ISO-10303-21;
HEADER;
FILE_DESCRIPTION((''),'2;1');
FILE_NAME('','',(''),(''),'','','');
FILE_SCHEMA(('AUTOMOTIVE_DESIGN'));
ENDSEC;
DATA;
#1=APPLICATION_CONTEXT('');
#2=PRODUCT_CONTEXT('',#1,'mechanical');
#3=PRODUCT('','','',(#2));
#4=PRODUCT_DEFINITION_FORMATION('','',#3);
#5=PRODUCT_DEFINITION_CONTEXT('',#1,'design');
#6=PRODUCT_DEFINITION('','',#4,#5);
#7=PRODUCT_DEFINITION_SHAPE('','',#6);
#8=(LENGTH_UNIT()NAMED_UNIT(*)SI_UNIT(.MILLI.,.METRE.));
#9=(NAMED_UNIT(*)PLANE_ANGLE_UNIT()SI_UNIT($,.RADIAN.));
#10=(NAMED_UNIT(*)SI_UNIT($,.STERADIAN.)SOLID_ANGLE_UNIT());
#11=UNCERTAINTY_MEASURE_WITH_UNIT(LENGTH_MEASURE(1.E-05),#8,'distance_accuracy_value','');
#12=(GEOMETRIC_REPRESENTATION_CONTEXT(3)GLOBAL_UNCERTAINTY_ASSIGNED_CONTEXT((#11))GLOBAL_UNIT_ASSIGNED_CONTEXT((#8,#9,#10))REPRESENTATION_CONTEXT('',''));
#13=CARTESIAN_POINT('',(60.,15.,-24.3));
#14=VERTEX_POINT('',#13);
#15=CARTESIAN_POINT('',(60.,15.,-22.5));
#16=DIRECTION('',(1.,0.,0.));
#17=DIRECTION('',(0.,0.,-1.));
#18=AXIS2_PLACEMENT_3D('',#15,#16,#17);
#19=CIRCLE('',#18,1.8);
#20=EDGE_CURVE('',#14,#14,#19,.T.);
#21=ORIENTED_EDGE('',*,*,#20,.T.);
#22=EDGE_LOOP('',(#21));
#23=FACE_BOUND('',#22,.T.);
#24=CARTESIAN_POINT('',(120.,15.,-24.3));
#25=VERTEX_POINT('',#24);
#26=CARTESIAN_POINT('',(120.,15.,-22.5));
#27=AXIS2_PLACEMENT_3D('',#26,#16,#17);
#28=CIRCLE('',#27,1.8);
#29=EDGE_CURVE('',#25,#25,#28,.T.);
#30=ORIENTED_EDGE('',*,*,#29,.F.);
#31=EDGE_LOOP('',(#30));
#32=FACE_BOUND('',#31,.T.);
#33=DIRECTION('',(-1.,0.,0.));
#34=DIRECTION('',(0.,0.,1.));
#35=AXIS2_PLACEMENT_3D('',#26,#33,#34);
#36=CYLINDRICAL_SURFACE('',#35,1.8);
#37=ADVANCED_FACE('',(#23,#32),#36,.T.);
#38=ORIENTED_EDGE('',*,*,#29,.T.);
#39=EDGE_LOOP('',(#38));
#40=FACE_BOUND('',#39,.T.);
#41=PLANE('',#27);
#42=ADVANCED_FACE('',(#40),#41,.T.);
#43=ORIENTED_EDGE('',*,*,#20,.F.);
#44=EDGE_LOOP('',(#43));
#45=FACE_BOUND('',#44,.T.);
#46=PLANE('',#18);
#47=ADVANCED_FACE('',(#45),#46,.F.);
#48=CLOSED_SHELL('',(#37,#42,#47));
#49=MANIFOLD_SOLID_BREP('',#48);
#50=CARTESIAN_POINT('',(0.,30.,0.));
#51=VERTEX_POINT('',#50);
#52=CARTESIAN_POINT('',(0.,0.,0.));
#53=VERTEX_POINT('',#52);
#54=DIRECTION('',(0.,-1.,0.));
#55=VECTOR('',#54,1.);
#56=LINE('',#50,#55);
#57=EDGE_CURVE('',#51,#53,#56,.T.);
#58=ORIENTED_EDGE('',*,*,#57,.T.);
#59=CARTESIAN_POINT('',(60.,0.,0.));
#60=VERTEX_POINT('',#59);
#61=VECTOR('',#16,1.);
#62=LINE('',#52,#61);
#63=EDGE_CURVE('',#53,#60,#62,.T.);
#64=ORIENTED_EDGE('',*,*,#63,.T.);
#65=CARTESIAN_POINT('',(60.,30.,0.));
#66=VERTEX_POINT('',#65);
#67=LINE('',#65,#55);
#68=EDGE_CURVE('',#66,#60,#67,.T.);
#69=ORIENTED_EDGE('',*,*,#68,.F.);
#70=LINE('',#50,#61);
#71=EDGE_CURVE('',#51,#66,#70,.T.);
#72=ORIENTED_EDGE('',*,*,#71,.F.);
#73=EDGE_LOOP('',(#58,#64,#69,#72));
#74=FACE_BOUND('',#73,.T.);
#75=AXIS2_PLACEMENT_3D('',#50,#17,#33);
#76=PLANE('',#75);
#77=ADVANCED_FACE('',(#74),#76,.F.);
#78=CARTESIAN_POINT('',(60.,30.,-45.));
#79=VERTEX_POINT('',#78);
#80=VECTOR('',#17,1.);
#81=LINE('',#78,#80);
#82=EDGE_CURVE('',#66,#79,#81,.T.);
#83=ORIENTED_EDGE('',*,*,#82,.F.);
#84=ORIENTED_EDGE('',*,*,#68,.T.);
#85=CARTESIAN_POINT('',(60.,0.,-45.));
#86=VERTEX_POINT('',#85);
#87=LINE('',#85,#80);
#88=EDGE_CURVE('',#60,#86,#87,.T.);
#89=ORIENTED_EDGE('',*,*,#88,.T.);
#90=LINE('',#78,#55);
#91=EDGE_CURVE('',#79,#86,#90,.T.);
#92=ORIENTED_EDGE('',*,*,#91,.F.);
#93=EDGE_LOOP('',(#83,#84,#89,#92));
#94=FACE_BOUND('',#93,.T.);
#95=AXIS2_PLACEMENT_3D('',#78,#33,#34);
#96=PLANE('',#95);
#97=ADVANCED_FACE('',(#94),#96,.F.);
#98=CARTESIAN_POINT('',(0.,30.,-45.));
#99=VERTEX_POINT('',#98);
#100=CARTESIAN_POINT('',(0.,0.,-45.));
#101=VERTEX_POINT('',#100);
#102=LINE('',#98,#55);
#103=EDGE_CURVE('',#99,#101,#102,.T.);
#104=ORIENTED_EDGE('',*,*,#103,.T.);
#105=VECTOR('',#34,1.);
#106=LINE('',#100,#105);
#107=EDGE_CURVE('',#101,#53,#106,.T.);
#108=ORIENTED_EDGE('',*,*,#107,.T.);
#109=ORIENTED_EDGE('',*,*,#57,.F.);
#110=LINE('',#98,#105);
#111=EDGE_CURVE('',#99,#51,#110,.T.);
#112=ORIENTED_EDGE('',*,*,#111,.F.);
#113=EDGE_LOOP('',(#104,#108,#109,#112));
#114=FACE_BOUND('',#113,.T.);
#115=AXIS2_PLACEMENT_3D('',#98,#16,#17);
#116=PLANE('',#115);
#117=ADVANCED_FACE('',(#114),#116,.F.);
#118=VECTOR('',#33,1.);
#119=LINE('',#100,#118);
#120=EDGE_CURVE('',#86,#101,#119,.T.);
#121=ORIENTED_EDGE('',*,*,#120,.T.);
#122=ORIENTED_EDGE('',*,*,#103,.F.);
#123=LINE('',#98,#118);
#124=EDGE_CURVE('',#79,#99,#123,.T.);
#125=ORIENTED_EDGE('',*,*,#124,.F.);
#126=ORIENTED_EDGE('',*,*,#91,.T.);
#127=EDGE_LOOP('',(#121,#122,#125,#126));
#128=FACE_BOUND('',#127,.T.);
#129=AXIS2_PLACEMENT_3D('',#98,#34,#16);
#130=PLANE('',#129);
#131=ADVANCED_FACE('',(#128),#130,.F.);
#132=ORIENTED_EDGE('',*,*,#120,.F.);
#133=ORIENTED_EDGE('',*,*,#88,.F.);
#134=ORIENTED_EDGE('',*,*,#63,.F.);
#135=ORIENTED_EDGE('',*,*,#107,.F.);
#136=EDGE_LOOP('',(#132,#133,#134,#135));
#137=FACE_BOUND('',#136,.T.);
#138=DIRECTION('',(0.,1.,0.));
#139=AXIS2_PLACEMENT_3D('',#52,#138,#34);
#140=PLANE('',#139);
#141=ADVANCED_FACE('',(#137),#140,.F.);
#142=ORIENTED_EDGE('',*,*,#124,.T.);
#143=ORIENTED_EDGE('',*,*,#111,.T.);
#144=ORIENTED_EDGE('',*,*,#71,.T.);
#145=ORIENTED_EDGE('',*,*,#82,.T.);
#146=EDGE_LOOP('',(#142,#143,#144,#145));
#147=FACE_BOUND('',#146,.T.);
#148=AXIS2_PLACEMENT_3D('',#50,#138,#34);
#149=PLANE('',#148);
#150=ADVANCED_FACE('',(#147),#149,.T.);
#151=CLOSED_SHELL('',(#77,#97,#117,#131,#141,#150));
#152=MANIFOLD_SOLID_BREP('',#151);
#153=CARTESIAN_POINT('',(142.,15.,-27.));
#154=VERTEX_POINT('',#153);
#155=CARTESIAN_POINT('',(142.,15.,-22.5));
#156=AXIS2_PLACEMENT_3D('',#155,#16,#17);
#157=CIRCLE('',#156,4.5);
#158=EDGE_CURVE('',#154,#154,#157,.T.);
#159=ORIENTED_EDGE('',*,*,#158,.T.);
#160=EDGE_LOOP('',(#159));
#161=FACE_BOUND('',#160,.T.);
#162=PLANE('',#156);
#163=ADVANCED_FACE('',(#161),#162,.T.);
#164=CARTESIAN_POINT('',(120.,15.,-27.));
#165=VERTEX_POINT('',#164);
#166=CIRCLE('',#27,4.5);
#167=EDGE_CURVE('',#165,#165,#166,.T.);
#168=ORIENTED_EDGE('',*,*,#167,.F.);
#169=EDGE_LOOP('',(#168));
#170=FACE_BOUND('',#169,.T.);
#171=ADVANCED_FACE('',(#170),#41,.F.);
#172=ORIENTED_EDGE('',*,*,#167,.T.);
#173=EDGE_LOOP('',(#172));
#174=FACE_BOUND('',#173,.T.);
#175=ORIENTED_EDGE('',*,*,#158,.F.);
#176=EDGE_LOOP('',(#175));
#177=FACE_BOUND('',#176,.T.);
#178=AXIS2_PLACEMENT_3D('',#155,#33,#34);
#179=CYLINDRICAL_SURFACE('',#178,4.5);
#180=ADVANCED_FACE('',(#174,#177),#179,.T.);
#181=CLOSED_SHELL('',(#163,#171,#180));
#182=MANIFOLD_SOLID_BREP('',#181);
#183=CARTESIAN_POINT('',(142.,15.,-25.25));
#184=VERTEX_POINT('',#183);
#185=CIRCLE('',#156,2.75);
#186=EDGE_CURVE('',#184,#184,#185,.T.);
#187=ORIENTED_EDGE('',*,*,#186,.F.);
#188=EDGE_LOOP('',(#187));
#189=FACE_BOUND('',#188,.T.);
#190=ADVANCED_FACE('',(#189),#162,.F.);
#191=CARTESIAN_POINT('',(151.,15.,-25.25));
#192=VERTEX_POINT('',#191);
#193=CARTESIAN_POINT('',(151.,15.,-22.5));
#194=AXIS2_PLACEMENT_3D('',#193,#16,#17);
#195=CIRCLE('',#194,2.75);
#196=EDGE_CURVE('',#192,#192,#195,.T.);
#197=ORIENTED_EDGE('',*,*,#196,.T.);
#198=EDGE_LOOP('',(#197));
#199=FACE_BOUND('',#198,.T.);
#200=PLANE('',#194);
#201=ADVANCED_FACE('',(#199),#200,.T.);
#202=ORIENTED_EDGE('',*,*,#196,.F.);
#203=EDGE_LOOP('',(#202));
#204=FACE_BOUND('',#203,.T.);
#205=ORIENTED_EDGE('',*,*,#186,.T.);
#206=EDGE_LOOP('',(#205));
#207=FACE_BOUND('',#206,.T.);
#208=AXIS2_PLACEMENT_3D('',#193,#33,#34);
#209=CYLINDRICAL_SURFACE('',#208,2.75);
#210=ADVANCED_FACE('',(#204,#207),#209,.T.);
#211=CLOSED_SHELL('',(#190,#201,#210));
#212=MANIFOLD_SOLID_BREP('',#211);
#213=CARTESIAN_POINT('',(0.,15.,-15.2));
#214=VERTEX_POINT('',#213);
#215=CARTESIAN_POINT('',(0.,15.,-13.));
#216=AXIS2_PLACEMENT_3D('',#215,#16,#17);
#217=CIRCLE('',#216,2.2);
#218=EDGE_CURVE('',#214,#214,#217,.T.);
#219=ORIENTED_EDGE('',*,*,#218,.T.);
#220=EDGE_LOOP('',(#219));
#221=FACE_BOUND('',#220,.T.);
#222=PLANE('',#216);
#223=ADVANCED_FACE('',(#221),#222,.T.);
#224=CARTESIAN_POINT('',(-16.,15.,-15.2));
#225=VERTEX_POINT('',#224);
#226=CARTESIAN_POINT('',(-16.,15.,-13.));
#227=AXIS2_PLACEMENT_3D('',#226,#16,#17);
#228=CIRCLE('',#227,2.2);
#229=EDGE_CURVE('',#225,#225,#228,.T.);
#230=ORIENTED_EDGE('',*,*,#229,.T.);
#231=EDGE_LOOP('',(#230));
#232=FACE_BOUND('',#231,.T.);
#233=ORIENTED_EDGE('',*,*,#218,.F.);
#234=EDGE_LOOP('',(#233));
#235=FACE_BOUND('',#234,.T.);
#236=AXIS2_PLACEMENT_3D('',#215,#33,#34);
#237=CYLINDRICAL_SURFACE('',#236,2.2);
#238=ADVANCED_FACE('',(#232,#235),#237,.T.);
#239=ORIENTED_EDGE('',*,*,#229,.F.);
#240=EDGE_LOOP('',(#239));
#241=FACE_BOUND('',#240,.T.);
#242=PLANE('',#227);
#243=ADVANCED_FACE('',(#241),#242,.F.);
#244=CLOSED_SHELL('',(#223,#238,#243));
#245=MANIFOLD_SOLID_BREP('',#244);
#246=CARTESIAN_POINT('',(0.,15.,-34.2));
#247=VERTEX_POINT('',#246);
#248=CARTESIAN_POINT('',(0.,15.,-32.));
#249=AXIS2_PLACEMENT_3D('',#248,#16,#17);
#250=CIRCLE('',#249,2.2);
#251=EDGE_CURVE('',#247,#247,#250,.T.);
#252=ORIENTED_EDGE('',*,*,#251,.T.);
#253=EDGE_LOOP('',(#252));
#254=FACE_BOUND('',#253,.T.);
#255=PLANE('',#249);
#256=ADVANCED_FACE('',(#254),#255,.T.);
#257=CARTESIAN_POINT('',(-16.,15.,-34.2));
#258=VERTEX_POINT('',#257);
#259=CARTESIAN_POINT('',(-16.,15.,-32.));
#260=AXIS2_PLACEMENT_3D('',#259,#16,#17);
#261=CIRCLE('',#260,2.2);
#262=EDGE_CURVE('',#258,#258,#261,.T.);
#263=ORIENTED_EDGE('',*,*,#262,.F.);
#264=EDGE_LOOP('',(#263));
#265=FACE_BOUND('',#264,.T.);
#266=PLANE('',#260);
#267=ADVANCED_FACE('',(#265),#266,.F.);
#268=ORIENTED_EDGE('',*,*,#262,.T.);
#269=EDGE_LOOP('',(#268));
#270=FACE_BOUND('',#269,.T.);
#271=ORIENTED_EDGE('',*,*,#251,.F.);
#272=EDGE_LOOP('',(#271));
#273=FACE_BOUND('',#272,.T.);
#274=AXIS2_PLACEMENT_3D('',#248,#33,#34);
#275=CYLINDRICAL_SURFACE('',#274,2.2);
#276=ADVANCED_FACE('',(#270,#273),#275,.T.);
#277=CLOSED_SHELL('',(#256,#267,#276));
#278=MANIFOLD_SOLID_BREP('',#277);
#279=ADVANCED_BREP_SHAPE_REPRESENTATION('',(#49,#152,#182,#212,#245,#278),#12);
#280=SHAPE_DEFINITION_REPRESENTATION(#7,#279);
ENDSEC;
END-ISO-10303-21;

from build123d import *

# Parameters (mm, degrees)
SK_ADAPTER_BODY_W  = 60
SK_ADAPTER_BODY_H  = 45
ADAPTER_BODY_DEPTH = 30
MAINS_START        = -16
SK_MAINS_PINS_R    = 2.2
MAINS_PINS_DEPTH   = 16
MAINS_PINS_2_DEPTH = 16
DC_START           = 60
SK_DC_LEAD_R       = 1.8
DC_LEAD_DEPTH      = 60
BARREL_START       = 120
SK_BARREL_PLUG_R   = 4.5
BARREL_PLUG_DEPTH  = 22
PLUG_START         = 142
SK_PLUG_TIP_R      = 2.75
PLUG_TIP_DEPTH     = 9


with BuildPart() as part:
    # SK Adapter body → Adapter body (new body)
    with BuildSketch(Plane(origin=(0, 0, 0), x_dir=(1, 0, 0), z_dir=(0, 1, 0))):
        with Locations((30, 22.5)):
            Rectangle(SK_ADAPTER_BODY_W, SK_ADAPTER_BODY_H)
    extrude(amount=ADAPTER_BODY_DEPTH)


with BuildPart() as body_2:
    # SK Mains pins → Mains pins (new body)
    with BuildSketch(Plane(origin=(0, 0, 0), x_dir=(0, 0, -1), z_dir=(1, 0, 0)).offset(MAINS_START)):
        with Locations((13, 15)):
            Circle(SK_MAINS_PINS_R)
    extrude(amount=MAINS_PINS_DEPTH)


with BuildPart() as body_3:
    # SK Mains pins → Mains pins 2 (new body)
    with BuildSketch(Plane(origin=(0, 0, 0), x_dir=(0, 0, -1), z_dir=(1, 0, 0)).offset(MAINS_START)):
        with Locations((32, 15)):
            Circle(SK_MAINS_PINS_R)
    extrude(amount=MAINS_PINS_2_DEPTH)


with BuildPart() as body_4:
    # SK DC lead → DC lead (new body)
    with BuildSketch(Plane(origin=(0, 0, 0), x_dir=(0, 0, -1), z_dir=(1, 0, 0)).offset(DC_START)):
        with Locations((22.5, 15)):
            Circle(SK_DC_LEAD_R)
    extrude(amount=DC_LEAD_DEPTH)


with BuildPart() as body_5:
    # SK Barrel plug → Barrel plug (new body)
    with BuildSketch(Plane(origin=(0, 0, 0), x_dir=(0, 0, -1), z_dir=(1, 0, 0)).offset(BARREL_START)):
        with Locations((22.5, 15)):
            Circle(SK_BARREL_PLUG_R)
    extrude(amount=BARREL_PLUG_DEPTH)


with BuildPart() as body_6:
    # SK Plug tip → Plug tip (new body)
    with BuildSketch(Plane(origin=(0, 0, 0), x_dir=(0, 0, -1), z_dir=(1, 0, 0)).offset(PLUG_START)):
        with Locations((22.5, 15)):
            Circle(SK_PLUG_TIP_R)
    extrude(amount=PLUG_TIP_DEPTH)


solid = Compound([part.part, body_2.part, body_3.part, body_4.part, body_5.part, body_6.part])
